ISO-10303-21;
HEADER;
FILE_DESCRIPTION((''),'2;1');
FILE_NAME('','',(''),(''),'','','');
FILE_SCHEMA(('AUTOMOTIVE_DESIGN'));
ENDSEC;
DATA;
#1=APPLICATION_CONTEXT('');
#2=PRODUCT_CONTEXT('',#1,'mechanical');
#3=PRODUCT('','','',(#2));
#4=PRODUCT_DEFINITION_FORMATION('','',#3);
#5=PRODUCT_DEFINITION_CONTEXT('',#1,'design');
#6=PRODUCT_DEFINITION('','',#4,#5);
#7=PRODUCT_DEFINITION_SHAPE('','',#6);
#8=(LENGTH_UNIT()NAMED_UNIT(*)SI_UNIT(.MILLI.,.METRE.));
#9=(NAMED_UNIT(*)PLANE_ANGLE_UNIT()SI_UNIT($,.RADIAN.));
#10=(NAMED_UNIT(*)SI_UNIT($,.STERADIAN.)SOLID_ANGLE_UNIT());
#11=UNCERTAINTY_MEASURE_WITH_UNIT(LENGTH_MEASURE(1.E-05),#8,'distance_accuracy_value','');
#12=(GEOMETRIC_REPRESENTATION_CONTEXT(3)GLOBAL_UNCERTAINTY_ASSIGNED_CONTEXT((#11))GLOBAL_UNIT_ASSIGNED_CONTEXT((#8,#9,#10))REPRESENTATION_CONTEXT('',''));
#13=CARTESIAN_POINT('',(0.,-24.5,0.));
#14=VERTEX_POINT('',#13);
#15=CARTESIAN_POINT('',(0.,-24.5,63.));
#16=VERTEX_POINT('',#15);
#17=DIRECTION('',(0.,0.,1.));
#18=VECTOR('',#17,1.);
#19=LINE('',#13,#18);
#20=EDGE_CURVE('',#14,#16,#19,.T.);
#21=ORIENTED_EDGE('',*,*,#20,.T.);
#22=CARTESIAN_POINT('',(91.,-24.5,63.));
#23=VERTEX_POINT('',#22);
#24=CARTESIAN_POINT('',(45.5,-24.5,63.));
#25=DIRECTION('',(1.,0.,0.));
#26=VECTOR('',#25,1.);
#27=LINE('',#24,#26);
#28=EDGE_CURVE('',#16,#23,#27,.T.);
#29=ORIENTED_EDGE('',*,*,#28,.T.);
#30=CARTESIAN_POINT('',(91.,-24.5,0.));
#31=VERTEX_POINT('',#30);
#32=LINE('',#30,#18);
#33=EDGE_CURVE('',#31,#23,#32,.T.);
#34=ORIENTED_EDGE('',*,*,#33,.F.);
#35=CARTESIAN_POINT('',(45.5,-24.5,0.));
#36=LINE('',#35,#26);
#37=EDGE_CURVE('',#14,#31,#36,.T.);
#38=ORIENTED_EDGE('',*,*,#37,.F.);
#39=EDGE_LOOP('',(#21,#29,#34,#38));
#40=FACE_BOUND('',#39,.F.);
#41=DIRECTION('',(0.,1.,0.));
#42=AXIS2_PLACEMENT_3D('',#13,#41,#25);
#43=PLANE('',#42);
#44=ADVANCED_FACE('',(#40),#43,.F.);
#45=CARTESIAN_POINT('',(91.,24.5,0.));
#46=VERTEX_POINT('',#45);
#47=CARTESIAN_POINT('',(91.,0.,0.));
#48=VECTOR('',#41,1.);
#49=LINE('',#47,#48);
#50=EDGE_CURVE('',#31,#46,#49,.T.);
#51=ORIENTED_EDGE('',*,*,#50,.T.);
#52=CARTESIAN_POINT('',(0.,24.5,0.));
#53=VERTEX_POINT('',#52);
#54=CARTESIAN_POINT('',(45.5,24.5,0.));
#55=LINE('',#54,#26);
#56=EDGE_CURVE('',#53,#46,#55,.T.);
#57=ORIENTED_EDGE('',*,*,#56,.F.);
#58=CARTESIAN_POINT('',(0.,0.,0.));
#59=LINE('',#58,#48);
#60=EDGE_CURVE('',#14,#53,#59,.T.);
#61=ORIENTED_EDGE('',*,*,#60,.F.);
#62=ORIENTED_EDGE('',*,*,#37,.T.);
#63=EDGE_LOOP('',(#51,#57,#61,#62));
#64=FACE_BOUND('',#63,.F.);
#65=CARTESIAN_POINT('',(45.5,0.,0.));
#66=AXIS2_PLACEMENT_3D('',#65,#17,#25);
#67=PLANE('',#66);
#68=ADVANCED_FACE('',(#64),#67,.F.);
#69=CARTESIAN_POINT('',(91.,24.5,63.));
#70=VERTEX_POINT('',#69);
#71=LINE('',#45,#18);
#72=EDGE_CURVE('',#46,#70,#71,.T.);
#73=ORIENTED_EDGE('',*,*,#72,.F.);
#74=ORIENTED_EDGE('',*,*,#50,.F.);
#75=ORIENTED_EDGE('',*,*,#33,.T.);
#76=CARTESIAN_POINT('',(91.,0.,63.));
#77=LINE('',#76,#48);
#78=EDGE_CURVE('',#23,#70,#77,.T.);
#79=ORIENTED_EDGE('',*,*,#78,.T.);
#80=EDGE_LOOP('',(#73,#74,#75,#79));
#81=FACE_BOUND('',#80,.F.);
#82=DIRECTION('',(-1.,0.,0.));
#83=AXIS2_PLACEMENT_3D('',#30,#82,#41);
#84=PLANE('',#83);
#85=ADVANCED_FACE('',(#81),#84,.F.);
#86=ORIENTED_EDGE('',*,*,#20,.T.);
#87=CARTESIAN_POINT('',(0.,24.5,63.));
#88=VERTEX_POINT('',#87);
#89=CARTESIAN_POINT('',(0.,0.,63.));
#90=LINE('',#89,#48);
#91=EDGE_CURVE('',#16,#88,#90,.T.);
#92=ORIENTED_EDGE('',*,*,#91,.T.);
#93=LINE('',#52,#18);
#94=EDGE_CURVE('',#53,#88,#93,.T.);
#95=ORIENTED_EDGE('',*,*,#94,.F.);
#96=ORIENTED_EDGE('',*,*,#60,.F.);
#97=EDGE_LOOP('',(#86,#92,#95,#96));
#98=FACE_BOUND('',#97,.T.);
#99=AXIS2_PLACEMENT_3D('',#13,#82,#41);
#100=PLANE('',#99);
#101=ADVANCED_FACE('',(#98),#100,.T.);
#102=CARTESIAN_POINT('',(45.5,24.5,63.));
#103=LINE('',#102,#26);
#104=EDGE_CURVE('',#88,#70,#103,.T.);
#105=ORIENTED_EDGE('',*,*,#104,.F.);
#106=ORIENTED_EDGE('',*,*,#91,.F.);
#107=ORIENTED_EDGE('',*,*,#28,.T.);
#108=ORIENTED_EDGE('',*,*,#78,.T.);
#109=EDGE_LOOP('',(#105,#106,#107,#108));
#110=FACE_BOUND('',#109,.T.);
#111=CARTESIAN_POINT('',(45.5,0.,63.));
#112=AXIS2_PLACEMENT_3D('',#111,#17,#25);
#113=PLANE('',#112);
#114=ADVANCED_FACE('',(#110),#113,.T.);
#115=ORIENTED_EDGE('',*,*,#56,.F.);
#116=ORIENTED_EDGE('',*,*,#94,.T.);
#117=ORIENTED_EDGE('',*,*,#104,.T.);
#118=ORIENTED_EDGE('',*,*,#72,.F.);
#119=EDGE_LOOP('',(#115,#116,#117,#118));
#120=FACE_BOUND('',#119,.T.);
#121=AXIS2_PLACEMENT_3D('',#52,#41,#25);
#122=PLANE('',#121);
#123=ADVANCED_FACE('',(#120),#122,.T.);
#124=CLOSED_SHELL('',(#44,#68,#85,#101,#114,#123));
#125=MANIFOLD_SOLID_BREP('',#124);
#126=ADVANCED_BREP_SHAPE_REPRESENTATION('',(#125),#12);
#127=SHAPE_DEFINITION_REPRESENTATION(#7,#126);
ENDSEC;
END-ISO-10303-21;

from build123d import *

# Parameters (mm, degrees)
BOX_W     = 91
BOX_H     = 49
BOX_DEPTH = 63


with BuildPart() as part:
    # Box → Box (join)
    with BuildSketch(Plane(origin=(0, -24.5, 0), x_dir=(1, 0, 0), z_dir=(0, 0, 1))):
        with Locations((45.5, 24.5)):
            Rectangle(BOX_W, BOX_H)
    extrude(amount=BOX_DEPTH)


solid = part.part
